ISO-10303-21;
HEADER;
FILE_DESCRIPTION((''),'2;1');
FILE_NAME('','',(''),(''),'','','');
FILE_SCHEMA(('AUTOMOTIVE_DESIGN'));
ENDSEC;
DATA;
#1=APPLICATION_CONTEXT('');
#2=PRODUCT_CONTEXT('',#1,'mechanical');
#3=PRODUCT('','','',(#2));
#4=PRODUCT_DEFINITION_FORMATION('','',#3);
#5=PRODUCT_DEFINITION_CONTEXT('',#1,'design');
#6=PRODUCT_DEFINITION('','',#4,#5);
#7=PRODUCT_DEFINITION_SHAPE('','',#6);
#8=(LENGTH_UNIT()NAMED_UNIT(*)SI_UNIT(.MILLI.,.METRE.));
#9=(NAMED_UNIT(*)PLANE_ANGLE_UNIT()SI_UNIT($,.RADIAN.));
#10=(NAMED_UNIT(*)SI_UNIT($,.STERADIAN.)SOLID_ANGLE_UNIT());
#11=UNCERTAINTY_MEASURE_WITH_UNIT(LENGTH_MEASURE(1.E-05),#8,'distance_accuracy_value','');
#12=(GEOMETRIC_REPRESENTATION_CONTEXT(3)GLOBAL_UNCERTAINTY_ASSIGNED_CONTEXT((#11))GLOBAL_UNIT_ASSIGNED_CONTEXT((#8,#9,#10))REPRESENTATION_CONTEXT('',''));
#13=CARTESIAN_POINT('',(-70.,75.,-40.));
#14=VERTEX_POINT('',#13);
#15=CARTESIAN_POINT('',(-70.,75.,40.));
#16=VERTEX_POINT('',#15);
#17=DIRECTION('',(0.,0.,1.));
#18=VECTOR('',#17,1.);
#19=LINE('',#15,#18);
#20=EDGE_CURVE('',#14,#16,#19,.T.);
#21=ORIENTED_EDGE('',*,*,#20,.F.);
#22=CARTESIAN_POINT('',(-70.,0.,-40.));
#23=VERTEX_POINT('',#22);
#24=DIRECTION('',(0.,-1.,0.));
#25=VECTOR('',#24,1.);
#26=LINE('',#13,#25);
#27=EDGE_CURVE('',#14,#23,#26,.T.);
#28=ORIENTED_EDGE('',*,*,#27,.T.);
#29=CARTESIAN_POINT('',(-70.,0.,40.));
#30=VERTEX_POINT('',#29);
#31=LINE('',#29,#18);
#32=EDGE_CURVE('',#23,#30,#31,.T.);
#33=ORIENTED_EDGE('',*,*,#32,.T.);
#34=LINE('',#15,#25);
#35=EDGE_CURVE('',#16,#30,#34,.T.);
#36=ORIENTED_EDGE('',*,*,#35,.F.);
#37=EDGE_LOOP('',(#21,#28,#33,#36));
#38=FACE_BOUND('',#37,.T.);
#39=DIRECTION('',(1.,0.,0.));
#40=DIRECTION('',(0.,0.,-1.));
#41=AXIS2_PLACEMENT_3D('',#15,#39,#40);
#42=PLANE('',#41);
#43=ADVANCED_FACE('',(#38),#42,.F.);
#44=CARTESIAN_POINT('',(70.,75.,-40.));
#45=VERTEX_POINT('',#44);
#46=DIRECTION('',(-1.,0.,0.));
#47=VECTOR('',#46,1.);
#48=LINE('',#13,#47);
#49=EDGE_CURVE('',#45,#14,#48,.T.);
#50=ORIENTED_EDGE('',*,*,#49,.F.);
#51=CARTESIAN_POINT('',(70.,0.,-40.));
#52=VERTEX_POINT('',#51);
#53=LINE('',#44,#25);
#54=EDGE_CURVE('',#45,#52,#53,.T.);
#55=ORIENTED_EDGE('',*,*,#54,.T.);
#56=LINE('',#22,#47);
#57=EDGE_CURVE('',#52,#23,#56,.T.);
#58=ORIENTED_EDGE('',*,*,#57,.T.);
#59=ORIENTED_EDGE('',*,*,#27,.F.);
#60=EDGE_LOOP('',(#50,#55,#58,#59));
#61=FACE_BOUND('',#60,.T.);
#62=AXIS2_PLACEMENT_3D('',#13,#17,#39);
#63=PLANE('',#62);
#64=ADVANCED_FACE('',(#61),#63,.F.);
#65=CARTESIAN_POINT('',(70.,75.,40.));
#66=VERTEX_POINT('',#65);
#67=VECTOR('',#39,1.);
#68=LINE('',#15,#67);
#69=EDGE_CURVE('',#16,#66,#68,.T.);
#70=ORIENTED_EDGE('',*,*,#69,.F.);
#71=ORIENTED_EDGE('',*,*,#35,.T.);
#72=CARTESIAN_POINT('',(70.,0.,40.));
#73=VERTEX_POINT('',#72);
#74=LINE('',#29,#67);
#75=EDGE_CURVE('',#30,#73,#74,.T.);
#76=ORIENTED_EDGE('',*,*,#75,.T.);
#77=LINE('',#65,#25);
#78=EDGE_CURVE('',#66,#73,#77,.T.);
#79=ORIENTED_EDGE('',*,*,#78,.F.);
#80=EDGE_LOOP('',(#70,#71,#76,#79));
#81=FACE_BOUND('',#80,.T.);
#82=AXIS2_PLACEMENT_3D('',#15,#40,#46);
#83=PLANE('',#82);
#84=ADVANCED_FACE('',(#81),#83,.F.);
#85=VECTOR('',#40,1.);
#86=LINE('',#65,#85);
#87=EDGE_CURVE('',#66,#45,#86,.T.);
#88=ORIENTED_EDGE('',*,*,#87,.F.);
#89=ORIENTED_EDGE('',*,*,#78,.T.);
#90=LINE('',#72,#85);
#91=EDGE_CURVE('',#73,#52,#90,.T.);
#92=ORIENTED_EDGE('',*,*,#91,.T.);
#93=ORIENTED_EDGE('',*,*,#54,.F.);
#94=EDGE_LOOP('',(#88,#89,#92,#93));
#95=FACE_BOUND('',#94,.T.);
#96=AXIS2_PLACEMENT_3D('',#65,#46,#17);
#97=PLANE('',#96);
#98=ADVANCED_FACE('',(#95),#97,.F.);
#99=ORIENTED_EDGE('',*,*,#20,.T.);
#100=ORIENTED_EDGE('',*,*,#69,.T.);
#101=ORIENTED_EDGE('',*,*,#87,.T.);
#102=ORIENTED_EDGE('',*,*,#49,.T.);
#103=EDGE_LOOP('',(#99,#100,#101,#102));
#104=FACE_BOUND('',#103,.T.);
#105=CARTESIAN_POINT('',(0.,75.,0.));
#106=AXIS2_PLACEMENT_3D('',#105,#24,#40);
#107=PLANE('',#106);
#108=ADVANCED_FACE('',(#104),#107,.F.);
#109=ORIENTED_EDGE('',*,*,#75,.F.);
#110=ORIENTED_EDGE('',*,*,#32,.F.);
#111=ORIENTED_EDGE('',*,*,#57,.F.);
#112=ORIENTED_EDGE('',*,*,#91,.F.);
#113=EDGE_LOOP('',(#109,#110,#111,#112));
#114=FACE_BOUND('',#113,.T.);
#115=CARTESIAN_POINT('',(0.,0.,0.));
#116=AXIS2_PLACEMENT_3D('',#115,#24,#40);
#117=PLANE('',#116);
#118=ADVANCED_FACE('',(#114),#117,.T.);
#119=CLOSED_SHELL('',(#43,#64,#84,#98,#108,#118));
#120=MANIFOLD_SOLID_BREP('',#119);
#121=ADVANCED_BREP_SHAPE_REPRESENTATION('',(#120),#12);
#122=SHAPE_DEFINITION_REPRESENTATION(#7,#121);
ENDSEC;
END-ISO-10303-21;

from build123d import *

# Parameters (mm, degrees)
SZKIC1_W                    = 140
SZKIC1_H                    = 80
DODANIE_WYCI_GNI_CIE1_DEPTH = 75


with BuildPart() as part:
    # Szkic1 → Dodanie-wyciągnięcie1 (new body)
    with BuildSketch(Plane(origin=(0, 0, 0), x_dir=(1, 0, 0), z_dir=(0, 1, 0))):
        Rectangle(SZKIC1_W, SZKIC1_H)
    extrude(amount=DODANIE_WYCI_GNI_CIE1_DEPTH)


solid = part.part
